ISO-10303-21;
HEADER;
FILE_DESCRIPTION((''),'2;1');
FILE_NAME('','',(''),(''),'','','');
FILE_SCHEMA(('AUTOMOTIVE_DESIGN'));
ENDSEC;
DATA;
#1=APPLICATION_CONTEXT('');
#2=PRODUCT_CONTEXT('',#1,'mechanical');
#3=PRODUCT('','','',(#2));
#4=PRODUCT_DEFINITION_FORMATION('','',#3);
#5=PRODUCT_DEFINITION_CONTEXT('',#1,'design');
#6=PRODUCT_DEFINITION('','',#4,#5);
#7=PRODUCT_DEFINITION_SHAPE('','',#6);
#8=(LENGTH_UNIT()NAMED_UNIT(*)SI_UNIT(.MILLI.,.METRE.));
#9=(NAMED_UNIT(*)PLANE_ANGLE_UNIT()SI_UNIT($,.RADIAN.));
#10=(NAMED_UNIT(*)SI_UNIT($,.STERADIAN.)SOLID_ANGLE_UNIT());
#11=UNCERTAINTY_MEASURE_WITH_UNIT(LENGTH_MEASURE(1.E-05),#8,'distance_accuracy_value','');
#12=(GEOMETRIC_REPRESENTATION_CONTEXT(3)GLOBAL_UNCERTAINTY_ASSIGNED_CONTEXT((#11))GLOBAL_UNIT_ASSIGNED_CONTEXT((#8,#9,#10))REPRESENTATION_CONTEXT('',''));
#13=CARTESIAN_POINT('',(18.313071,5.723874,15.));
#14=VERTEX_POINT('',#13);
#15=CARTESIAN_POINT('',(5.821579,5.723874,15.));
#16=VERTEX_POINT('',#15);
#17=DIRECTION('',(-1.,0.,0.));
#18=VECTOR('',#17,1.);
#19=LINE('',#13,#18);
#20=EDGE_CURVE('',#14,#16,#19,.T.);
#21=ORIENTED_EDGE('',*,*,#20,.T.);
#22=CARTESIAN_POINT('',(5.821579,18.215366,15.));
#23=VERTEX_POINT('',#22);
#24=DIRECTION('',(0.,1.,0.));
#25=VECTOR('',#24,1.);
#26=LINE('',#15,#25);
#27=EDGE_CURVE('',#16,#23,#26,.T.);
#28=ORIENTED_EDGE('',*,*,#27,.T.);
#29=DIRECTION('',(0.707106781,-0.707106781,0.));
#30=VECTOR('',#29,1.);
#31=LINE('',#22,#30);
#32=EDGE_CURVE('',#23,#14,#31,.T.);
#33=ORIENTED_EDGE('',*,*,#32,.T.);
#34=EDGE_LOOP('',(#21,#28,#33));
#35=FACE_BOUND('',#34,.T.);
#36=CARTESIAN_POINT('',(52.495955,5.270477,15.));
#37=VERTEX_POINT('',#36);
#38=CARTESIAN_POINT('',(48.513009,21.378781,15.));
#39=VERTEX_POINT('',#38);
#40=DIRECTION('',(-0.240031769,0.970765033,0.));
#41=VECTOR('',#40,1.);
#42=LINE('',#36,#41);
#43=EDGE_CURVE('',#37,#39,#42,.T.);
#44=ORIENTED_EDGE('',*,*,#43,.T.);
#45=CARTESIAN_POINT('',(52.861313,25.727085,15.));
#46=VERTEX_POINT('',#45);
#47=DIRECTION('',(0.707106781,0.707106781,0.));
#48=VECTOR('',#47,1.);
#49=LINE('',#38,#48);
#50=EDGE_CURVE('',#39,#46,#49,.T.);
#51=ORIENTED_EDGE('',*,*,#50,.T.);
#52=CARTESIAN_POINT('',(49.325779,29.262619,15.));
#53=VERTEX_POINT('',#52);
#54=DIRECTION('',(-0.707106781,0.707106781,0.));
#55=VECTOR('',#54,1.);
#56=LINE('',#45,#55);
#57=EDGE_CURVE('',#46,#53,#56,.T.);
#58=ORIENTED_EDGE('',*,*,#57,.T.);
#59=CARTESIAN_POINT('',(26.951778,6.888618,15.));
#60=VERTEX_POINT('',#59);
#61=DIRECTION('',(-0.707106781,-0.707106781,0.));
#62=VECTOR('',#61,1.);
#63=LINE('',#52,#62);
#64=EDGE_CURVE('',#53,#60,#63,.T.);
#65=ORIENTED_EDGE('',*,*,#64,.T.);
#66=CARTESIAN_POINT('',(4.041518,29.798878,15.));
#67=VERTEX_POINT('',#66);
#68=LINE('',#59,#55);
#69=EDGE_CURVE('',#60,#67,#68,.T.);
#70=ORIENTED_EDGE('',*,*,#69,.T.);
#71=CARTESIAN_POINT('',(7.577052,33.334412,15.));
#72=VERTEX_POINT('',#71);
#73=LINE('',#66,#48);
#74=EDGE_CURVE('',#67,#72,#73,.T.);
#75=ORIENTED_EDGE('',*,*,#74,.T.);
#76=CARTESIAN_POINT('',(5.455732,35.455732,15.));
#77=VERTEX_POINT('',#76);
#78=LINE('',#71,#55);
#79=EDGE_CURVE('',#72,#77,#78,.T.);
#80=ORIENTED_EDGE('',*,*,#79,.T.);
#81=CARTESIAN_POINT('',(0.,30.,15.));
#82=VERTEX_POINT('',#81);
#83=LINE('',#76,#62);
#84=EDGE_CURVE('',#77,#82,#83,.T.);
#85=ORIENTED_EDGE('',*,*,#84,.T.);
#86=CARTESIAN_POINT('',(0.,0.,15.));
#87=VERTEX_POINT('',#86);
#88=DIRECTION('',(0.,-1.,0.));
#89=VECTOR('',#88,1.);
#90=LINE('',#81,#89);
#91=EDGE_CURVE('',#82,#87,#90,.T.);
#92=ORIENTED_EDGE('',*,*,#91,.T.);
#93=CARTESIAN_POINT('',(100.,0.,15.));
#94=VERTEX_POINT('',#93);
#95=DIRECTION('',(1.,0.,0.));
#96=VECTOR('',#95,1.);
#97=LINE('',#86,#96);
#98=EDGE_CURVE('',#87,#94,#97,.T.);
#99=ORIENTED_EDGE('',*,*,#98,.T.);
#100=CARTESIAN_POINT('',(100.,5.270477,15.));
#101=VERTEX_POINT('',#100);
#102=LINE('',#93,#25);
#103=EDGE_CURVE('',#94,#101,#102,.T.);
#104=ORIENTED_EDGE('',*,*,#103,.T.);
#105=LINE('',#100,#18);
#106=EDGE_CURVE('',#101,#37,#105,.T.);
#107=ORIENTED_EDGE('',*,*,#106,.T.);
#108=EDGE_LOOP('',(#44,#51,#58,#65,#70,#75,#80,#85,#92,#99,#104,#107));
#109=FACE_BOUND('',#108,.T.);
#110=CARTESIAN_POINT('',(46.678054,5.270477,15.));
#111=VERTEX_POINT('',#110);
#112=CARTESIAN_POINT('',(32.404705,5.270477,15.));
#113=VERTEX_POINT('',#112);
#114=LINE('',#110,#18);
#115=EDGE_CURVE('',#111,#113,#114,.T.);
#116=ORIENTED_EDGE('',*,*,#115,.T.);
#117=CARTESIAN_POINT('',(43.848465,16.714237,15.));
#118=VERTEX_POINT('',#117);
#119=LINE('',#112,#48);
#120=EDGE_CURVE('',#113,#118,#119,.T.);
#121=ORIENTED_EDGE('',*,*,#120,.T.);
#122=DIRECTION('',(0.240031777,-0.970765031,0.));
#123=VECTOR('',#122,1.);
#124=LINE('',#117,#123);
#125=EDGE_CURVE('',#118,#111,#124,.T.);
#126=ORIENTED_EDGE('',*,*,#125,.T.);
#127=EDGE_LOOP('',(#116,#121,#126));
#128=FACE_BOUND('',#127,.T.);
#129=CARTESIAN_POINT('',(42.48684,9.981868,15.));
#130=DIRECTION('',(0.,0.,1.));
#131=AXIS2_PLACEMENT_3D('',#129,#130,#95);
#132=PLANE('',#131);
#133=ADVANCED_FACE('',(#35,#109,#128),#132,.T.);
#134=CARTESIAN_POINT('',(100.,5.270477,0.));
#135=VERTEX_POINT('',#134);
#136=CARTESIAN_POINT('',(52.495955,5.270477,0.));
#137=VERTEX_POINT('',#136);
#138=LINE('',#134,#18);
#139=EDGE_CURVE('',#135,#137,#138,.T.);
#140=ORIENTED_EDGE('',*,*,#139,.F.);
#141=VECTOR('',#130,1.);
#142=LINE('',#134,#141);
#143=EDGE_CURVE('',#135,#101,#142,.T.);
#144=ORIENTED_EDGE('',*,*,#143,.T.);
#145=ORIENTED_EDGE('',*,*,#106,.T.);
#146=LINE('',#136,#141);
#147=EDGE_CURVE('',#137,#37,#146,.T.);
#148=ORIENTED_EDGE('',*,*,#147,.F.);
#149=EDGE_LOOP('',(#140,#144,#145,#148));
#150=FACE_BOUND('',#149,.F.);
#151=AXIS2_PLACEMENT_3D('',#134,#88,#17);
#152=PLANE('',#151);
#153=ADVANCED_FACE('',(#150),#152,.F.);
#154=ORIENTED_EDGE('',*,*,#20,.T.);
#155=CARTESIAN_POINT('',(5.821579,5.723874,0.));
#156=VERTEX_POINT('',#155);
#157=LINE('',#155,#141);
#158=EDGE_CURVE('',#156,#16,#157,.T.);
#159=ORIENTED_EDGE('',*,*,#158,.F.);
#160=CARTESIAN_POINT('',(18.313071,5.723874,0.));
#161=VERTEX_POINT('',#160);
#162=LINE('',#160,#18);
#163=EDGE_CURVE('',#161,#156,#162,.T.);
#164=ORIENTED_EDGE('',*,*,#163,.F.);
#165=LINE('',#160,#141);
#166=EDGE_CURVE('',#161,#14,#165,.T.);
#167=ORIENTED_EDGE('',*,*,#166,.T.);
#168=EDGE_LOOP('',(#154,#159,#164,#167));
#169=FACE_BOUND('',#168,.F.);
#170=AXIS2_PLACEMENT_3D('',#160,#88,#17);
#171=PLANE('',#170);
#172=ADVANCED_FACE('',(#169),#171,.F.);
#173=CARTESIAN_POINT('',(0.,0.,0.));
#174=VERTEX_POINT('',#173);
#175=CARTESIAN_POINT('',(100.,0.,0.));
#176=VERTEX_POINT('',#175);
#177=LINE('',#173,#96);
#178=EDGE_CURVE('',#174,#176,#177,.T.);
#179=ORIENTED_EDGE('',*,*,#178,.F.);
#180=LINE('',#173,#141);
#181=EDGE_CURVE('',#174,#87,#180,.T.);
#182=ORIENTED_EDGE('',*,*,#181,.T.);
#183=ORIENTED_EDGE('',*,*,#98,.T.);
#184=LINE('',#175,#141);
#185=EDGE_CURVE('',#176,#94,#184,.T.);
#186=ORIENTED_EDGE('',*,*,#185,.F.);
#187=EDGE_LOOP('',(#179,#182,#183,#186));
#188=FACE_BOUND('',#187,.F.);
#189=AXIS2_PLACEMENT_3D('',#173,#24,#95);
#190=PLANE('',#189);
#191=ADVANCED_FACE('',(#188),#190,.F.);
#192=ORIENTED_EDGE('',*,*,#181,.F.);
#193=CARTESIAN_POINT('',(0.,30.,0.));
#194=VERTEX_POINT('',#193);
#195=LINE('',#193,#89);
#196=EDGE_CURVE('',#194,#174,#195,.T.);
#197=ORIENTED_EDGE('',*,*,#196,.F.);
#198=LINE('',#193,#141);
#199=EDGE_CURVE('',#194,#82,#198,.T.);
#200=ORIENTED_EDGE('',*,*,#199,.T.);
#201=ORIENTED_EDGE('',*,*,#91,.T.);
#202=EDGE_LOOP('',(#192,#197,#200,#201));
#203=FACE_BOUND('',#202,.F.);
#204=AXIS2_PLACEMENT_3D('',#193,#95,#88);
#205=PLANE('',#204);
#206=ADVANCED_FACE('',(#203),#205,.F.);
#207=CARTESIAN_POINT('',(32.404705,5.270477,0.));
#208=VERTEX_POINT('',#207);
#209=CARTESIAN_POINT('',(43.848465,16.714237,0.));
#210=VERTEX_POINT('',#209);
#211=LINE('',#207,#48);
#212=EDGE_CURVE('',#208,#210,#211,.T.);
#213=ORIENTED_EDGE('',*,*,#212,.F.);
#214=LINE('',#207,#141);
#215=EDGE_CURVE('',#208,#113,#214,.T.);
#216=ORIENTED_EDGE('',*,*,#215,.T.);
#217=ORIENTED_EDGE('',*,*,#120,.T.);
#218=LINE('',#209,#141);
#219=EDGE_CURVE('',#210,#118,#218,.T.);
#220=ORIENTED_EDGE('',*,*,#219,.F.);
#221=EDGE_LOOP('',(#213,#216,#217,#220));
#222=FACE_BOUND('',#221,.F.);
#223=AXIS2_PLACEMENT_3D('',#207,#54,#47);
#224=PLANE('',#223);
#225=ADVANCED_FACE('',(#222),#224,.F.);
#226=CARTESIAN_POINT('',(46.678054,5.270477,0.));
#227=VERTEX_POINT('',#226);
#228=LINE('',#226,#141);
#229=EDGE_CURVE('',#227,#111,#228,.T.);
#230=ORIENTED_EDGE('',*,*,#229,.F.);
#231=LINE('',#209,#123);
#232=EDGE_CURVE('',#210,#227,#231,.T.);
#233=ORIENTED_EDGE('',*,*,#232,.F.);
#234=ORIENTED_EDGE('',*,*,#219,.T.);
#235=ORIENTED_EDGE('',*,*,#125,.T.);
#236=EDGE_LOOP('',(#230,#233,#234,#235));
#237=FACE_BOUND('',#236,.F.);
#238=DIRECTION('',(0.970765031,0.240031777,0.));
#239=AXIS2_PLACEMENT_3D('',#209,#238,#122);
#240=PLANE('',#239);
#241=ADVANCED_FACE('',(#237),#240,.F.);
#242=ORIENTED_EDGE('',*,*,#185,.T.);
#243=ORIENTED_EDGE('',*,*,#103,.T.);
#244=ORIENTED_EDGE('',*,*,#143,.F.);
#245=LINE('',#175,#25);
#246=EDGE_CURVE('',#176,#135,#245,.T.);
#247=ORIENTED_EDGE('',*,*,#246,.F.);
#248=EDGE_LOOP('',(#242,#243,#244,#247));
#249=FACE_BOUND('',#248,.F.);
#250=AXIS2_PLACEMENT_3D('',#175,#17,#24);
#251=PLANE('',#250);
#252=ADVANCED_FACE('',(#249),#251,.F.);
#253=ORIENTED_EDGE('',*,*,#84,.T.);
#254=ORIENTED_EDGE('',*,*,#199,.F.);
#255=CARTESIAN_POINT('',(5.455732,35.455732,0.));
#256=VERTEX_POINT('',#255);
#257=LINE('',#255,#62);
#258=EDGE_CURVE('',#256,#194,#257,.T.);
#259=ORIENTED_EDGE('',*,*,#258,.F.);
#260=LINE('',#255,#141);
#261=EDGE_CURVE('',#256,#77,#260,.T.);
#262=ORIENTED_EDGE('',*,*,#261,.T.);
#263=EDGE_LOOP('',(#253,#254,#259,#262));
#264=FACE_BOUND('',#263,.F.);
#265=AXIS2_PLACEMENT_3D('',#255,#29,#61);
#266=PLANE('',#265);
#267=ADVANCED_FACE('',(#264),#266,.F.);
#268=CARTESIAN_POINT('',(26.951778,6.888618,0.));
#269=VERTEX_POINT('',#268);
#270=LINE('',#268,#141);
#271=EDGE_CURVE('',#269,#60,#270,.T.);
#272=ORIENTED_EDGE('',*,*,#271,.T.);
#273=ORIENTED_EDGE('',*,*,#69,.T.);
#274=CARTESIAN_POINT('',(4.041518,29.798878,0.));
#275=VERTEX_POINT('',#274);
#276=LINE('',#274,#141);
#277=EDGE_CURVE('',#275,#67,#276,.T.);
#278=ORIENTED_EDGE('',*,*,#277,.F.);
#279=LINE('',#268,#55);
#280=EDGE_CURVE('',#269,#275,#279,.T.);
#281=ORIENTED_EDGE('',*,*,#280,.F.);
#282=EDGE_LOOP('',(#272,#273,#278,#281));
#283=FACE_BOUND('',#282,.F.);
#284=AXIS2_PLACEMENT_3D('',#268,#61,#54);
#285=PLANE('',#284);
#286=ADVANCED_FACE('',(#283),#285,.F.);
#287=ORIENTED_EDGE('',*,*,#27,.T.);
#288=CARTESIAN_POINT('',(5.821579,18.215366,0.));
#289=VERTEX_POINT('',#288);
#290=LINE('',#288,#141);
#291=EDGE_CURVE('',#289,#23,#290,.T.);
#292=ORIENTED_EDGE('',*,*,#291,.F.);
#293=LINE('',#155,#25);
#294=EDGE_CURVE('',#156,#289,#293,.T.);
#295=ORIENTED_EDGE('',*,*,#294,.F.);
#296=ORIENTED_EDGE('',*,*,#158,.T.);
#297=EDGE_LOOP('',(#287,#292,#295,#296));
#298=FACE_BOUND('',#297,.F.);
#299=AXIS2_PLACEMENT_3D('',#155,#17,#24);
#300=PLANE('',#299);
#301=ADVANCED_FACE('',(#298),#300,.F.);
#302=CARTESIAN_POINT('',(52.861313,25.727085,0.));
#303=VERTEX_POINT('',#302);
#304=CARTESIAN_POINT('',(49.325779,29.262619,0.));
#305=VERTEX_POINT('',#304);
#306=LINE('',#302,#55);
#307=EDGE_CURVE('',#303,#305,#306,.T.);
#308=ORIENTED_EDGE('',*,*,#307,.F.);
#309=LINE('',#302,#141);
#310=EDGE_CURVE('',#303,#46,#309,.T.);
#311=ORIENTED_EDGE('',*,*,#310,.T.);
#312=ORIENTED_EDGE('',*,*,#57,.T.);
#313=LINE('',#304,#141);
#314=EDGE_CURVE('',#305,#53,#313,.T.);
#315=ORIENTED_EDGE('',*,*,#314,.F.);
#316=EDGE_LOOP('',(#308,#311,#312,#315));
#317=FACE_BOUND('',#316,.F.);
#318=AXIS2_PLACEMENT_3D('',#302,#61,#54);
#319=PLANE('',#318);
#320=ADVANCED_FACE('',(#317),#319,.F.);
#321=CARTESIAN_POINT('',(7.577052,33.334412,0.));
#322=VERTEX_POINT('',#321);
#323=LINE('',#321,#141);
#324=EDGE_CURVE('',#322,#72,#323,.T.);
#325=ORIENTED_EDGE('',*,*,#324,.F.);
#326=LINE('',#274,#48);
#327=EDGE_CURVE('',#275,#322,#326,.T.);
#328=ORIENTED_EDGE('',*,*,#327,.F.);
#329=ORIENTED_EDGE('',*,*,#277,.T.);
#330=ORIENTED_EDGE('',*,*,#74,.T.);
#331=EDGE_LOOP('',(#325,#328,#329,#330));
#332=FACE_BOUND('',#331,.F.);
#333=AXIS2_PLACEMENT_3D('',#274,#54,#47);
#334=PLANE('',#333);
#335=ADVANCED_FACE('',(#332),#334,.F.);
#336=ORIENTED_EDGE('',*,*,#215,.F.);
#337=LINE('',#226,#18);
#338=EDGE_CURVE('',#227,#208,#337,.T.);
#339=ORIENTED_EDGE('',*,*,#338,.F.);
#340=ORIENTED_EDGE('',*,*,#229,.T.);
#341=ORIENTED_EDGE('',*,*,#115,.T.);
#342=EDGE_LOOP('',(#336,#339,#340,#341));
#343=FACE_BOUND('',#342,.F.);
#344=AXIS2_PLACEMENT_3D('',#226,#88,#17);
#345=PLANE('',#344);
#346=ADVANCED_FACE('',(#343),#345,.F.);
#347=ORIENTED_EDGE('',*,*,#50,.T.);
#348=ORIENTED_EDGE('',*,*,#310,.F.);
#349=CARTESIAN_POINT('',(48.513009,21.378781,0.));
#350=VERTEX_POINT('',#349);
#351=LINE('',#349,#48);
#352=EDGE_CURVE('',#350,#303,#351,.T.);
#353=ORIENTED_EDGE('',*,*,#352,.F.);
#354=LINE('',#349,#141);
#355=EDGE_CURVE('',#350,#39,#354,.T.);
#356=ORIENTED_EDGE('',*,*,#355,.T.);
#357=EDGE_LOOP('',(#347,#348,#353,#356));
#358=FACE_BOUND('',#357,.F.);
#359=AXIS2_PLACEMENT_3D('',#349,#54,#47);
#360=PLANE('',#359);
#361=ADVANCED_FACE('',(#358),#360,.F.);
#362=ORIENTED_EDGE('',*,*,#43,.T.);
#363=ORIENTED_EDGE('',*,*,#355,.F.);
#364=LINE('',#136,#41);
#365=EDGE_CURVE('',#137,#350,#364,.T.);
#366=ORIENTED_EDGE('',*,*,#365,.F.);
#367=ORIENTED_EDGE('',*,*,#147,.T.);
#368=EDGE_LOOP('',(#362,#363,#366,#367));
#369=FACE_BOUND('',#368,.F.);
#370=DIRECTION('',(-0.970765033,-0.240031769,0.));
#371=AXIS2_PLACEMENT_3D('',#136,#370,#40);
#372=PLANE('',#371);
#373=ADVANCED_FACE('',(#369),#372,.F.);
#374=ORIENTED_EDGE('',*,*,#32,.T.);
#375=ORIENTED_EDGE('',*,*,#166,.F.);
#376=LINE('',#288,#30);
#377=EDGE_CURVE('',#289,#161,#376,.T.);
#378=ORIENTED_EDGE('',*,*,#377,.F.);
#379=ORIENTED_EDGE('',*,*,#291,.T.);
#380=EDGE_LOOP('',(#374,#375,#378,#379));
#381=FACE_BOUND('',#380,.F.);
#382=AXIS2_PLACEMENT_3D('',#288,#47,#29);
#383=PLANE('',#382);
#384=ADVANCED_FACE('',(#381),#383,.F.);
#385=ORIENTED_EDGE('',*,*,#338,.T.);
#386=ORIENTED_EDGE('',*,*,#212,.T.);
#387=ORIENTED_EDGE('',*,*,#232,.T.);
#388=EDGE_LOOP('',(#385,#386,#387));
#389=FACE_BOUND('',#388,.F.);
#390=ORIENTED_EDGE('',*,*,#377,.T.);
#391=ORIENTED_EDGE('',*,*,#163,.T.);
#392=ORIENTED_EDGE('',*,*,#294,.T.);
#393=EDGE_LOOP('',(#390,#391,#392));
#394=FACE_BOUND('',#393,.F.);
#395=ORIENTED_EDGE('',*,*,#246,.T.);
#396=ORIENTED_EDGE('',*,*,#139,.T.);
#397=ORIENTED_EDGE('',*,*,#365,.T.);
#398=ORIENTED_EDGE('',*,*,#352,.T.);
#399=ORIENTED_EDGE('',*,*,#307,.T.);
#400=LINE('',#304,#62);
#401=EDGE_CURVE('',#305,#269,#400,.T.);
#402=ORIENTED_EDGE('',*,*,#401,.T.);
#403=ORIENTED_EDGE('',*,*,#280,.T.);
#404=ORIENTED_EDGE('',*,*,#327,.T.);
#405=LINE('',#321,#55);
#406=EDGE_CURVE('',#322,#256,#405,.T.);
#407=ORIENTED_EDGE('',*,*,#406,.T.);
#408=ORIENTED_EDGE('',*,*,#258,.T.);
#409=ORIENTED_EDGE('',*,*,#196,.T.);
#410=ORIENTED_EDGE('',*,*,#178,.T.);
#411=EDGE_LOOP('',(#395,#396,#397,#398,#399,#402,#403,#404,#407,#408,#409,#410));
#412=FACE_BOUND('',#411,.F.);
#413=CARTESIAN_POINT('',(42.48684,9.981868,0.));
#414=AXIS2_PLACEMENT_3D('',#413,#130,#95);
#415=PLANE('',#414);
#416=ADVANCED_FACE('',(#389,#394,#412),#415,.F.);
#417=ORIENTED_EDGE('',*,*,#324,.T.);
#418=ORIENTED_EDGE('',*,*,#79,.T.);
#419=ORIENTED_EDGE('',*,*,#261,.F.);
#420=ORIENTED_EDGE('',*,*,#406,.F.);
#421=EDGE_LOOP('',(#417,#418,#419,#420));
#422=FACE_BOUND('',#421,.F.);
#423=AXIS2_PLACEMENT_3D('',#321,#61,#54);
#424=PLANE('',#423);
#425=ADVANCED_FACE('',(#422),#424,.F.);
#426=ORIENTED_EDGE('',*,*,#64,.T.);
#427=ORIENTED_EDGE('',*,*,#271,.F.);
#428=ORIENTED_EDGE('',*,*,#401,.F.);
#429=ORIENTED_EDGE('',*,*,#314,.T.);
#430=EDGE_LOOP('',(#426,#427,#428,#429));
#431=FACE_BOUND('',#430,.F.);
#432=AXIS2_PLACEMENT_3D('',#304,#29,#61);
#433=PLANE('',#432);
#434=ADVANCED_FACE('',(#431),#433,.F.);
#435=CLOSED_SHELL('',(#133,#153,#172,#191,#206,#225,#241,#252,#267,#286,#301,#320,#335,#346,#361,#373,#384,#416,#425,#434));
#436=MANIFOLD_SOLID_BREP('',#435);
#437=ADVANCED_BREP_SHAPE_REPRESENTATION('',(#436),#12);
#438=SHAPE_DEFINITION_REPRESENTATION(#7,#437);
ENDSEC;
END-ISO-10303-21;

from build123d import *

# Parameters (mm, degrees)
F1_DEPTH = 15


with BuildPart() as f1:
    # F0 (on Top) → F1 (new body)
    with BuildSketch(Plane.XY):
        Polygon((0, 30), (0, 0), (100, 0), (100, 5.270477), (52.495955, 5.270477), (48.513009, 21.378781), (52.861313, 25.727085), (49.325779, 29.262619), (26.951778, 6.888618), (4.041518, 29.798878), (7.577052, 33.334412), (5.455732, 35.455732), align=None)
        Polygon((5.821579, 5.723874), (5.821579, 18.215366), (18.313071, 5.723874), align=None, mode=Mode.SUBTRACT)
        Polygon((46.678054, 5.270477), (32.404705, 5.270477), (43.848465, 16.714237), align=None, mode=Mode.SUBTRACT)
    extrude(amount=F1_DEPTH)


solid = f1.part
